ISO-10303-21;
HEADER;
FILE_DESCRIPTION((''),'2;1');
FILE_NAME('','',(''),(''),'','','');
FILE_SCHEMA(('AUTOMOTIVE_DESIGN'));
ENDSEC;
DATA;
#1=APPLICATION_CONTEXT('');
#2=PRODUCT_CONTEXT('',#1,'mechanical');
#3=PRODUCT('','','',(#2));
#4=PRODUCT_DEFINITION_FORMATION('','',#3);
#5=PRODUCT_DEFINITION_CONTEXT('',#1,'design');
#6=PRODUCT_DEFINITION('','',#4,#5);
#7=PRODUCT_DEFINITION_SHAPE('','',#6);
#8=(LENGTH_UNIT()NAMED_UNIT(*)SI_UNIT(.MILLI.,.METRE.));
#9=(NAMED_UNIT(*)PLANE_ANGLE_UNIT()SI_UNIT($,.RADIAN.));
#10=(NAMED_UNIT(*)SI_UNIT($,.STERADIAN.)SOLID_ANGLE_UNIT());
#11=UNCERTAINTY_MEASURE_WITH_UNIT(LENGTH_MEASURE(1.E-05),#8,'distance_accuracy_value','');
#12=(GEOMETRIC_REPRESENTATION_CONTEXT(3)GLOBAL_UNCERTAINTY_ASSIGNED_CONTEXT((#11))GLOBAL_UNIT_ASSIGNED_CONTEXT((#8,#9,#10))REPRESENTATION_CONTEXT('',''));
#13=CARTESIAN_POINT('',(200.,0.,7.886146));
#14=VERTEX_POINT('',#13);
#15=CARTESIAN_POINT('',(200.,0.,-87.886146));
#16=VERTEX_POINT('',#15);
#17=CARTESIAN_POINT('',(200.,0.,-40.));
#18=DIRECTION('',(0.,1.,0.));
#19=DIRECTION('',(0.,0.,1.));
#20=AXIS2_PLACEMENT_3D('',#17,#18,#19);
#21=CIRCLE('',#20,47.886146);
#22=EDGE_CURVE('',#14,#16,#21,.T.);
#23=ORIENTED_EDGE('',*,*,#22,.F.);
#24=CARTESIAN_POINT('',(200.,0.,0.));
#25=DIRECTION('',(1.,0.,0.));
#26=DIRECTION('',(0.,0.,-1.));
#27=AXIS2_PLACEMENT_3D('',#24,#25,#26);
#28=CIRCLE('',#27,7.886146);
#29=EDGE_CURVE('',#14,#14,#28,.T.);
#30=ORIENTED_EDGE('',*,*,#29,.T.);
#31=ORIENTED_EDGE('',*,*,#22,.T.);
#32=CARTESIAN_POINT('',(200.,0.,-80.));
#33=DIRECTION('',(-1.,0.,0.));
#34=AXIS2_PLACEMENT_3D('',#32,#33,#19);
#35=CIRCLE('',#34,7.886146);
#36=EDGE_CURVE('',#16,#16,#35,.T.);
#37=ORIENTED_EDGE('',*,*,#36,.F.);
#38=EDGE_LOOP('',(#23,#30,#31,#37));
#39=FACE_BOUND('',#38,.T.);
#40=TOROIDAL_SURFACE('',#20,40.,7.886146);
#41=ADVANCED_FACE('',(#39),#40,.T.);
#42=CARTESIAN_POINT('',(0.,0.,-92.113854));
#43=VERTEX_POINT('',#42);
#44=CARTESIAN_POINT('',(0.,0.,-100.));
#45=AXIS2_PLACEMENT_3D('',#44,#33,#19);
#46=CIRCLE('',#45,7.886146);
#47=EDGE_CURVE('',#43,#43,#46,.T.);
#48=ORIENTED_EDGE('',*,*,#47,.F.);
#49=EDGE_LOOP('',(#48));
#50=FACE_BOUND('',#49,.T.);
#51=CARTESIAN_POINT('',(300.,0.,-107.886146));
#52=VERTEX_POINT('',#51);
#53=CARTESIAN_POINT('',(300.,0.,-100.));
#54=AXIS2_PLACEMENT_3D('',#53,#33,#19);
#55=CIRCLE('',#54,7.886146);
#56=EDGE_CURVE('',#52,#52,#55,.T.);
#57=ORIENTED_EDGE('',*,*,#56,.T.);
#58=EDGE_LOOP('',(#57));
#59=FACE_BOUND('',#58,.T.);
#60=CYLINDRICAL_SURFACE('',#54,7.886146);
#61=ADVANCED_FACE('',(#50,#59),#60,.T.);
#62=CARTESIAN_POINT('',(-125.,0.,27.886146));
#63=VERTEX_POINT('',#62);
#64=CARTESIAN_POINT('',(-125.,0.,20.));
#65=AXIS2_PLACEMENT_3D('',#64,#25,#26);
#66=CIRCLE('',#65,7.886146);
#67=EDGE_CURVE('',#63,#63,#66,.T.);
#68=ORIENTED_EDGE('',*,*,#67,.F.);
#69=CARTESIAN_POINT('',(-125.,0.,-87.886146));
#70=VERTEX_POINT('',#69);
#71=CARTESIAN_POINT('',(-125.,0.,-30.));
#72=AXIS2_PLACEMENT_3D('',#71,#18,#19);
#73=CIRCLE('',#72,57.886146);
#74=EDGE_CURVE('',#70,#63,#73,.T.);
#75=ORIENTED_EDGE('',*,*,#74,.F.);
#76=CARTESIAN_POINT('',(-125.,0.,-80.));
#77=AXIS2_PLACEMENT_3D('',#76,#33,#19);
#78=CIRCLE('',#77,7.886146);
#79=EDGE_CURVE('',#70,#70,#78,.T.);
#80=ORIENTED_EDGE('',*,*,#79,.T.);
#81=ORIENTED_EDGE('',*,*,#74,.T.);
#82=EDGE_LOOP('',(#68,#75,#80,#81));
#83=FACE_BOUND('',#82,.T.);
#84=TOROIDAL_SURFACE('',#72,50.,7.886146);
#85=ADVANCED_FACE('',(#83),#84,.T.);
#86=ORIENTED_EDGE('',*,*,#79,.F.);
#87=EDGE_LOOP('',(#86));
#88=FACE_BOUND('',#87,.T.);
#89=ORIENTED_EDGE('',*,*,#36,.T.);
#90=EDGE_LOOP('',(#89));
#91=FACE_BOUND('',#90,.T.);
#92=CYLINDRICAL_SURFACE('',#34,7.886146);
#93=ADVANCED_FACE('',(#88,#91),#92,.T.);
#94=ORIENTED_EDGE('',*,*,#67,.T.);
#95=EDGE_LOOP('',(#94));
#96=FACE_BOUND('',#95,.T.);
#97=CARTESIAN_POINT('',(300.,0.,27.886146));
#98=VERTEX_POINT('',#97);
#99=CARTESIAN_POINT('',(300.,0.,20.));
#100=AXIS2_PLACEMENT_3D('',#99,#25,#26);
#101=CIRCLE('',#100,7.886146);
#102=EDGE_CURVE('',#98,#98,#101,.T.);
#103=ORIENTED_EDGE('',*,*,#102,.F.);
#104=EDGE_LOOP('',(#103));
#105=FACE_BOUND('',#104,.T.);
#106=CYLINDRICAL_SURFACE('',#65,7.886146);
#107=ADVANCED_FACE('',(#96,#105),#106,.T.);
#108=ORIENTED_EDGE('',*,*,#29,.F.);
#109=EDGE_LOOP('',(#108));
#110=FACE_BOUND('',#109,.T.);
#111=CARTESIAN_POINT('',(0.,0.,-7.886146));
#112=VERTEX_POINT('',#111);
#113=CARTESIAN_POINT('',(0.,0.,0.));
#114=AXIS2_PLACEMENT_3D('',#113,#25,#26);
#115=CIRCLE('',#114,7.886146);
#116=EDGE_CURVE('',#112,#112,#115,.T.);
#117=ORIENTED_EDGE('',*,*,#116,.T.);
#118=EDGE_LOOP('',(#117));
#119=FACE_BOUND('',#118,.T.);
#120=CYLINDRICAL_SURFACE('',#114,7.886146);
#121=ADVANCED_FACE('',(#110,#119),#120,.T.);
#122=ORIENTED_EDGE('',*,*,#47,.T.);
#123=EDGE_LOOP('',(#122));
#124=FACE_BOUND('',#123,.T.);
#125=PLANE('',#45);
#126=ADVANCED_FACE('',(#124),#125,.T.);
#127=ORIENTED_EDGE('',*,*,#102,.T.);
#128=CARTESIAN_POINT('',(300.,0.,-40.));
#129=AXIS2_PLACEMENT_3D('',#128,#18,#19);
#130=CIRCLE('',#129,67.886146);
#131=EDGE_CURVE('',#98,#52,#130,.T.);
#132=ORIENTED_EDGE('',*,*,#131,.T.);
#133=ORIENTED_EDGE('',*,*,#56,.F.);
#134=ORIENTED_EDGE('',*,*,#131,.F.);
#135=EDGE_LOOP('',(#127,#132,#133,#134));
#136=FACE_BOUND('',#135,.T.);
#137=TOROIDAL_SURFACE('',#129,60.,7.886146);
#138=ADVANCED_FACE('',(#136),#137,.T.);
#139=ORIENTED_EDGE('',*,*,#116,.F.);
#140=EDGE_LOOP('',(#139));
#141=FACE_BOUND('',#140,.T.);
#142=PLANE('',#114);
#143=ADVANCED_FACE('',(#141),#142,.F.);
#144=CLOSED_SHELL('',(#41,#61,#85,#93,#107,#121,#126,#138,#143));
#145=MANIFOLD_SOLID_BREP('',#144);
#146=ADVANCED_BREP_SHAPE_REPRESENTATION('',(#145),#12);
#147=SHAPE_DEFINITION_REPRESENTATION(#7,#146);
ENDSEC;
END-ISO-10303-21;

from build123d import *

# Parameters (mm, degrees)
SKETCH2_R = 7.8861463


with BuildPart() as part:
    # Sweep1: sweep along a path in Sketch1
    with BuildLine(Plane(origin=(0, 0, 0), x_dir=(1, 0, 0), z_dir=(0, 1, 0))) as sweep1_path:
        Line((0, 0), (200, 0))
        ThreePointArc((200, 0), (240, 40), (200, 80))
        Line((200, 80), (-125, 80))
        ThreePointArc((-125, 80), (-175, 30), (-125, -20))
        Line((-125, -20), (300, -20))
        ThreePointArc((300, -20), (360, 40), (300, 100))
        Line((300, 100), (0, 100))
    # Sketch2 → Sweep1 (sweep)
    with BuildSketch(Plane(origin=(0, 0, 0), x_dir=(0, 0, -1), z_dir=(1, 0, 0))):
        Circle(SKETCH2_R)
    sweep(path=sweep1_path.line)


solid = part.part
